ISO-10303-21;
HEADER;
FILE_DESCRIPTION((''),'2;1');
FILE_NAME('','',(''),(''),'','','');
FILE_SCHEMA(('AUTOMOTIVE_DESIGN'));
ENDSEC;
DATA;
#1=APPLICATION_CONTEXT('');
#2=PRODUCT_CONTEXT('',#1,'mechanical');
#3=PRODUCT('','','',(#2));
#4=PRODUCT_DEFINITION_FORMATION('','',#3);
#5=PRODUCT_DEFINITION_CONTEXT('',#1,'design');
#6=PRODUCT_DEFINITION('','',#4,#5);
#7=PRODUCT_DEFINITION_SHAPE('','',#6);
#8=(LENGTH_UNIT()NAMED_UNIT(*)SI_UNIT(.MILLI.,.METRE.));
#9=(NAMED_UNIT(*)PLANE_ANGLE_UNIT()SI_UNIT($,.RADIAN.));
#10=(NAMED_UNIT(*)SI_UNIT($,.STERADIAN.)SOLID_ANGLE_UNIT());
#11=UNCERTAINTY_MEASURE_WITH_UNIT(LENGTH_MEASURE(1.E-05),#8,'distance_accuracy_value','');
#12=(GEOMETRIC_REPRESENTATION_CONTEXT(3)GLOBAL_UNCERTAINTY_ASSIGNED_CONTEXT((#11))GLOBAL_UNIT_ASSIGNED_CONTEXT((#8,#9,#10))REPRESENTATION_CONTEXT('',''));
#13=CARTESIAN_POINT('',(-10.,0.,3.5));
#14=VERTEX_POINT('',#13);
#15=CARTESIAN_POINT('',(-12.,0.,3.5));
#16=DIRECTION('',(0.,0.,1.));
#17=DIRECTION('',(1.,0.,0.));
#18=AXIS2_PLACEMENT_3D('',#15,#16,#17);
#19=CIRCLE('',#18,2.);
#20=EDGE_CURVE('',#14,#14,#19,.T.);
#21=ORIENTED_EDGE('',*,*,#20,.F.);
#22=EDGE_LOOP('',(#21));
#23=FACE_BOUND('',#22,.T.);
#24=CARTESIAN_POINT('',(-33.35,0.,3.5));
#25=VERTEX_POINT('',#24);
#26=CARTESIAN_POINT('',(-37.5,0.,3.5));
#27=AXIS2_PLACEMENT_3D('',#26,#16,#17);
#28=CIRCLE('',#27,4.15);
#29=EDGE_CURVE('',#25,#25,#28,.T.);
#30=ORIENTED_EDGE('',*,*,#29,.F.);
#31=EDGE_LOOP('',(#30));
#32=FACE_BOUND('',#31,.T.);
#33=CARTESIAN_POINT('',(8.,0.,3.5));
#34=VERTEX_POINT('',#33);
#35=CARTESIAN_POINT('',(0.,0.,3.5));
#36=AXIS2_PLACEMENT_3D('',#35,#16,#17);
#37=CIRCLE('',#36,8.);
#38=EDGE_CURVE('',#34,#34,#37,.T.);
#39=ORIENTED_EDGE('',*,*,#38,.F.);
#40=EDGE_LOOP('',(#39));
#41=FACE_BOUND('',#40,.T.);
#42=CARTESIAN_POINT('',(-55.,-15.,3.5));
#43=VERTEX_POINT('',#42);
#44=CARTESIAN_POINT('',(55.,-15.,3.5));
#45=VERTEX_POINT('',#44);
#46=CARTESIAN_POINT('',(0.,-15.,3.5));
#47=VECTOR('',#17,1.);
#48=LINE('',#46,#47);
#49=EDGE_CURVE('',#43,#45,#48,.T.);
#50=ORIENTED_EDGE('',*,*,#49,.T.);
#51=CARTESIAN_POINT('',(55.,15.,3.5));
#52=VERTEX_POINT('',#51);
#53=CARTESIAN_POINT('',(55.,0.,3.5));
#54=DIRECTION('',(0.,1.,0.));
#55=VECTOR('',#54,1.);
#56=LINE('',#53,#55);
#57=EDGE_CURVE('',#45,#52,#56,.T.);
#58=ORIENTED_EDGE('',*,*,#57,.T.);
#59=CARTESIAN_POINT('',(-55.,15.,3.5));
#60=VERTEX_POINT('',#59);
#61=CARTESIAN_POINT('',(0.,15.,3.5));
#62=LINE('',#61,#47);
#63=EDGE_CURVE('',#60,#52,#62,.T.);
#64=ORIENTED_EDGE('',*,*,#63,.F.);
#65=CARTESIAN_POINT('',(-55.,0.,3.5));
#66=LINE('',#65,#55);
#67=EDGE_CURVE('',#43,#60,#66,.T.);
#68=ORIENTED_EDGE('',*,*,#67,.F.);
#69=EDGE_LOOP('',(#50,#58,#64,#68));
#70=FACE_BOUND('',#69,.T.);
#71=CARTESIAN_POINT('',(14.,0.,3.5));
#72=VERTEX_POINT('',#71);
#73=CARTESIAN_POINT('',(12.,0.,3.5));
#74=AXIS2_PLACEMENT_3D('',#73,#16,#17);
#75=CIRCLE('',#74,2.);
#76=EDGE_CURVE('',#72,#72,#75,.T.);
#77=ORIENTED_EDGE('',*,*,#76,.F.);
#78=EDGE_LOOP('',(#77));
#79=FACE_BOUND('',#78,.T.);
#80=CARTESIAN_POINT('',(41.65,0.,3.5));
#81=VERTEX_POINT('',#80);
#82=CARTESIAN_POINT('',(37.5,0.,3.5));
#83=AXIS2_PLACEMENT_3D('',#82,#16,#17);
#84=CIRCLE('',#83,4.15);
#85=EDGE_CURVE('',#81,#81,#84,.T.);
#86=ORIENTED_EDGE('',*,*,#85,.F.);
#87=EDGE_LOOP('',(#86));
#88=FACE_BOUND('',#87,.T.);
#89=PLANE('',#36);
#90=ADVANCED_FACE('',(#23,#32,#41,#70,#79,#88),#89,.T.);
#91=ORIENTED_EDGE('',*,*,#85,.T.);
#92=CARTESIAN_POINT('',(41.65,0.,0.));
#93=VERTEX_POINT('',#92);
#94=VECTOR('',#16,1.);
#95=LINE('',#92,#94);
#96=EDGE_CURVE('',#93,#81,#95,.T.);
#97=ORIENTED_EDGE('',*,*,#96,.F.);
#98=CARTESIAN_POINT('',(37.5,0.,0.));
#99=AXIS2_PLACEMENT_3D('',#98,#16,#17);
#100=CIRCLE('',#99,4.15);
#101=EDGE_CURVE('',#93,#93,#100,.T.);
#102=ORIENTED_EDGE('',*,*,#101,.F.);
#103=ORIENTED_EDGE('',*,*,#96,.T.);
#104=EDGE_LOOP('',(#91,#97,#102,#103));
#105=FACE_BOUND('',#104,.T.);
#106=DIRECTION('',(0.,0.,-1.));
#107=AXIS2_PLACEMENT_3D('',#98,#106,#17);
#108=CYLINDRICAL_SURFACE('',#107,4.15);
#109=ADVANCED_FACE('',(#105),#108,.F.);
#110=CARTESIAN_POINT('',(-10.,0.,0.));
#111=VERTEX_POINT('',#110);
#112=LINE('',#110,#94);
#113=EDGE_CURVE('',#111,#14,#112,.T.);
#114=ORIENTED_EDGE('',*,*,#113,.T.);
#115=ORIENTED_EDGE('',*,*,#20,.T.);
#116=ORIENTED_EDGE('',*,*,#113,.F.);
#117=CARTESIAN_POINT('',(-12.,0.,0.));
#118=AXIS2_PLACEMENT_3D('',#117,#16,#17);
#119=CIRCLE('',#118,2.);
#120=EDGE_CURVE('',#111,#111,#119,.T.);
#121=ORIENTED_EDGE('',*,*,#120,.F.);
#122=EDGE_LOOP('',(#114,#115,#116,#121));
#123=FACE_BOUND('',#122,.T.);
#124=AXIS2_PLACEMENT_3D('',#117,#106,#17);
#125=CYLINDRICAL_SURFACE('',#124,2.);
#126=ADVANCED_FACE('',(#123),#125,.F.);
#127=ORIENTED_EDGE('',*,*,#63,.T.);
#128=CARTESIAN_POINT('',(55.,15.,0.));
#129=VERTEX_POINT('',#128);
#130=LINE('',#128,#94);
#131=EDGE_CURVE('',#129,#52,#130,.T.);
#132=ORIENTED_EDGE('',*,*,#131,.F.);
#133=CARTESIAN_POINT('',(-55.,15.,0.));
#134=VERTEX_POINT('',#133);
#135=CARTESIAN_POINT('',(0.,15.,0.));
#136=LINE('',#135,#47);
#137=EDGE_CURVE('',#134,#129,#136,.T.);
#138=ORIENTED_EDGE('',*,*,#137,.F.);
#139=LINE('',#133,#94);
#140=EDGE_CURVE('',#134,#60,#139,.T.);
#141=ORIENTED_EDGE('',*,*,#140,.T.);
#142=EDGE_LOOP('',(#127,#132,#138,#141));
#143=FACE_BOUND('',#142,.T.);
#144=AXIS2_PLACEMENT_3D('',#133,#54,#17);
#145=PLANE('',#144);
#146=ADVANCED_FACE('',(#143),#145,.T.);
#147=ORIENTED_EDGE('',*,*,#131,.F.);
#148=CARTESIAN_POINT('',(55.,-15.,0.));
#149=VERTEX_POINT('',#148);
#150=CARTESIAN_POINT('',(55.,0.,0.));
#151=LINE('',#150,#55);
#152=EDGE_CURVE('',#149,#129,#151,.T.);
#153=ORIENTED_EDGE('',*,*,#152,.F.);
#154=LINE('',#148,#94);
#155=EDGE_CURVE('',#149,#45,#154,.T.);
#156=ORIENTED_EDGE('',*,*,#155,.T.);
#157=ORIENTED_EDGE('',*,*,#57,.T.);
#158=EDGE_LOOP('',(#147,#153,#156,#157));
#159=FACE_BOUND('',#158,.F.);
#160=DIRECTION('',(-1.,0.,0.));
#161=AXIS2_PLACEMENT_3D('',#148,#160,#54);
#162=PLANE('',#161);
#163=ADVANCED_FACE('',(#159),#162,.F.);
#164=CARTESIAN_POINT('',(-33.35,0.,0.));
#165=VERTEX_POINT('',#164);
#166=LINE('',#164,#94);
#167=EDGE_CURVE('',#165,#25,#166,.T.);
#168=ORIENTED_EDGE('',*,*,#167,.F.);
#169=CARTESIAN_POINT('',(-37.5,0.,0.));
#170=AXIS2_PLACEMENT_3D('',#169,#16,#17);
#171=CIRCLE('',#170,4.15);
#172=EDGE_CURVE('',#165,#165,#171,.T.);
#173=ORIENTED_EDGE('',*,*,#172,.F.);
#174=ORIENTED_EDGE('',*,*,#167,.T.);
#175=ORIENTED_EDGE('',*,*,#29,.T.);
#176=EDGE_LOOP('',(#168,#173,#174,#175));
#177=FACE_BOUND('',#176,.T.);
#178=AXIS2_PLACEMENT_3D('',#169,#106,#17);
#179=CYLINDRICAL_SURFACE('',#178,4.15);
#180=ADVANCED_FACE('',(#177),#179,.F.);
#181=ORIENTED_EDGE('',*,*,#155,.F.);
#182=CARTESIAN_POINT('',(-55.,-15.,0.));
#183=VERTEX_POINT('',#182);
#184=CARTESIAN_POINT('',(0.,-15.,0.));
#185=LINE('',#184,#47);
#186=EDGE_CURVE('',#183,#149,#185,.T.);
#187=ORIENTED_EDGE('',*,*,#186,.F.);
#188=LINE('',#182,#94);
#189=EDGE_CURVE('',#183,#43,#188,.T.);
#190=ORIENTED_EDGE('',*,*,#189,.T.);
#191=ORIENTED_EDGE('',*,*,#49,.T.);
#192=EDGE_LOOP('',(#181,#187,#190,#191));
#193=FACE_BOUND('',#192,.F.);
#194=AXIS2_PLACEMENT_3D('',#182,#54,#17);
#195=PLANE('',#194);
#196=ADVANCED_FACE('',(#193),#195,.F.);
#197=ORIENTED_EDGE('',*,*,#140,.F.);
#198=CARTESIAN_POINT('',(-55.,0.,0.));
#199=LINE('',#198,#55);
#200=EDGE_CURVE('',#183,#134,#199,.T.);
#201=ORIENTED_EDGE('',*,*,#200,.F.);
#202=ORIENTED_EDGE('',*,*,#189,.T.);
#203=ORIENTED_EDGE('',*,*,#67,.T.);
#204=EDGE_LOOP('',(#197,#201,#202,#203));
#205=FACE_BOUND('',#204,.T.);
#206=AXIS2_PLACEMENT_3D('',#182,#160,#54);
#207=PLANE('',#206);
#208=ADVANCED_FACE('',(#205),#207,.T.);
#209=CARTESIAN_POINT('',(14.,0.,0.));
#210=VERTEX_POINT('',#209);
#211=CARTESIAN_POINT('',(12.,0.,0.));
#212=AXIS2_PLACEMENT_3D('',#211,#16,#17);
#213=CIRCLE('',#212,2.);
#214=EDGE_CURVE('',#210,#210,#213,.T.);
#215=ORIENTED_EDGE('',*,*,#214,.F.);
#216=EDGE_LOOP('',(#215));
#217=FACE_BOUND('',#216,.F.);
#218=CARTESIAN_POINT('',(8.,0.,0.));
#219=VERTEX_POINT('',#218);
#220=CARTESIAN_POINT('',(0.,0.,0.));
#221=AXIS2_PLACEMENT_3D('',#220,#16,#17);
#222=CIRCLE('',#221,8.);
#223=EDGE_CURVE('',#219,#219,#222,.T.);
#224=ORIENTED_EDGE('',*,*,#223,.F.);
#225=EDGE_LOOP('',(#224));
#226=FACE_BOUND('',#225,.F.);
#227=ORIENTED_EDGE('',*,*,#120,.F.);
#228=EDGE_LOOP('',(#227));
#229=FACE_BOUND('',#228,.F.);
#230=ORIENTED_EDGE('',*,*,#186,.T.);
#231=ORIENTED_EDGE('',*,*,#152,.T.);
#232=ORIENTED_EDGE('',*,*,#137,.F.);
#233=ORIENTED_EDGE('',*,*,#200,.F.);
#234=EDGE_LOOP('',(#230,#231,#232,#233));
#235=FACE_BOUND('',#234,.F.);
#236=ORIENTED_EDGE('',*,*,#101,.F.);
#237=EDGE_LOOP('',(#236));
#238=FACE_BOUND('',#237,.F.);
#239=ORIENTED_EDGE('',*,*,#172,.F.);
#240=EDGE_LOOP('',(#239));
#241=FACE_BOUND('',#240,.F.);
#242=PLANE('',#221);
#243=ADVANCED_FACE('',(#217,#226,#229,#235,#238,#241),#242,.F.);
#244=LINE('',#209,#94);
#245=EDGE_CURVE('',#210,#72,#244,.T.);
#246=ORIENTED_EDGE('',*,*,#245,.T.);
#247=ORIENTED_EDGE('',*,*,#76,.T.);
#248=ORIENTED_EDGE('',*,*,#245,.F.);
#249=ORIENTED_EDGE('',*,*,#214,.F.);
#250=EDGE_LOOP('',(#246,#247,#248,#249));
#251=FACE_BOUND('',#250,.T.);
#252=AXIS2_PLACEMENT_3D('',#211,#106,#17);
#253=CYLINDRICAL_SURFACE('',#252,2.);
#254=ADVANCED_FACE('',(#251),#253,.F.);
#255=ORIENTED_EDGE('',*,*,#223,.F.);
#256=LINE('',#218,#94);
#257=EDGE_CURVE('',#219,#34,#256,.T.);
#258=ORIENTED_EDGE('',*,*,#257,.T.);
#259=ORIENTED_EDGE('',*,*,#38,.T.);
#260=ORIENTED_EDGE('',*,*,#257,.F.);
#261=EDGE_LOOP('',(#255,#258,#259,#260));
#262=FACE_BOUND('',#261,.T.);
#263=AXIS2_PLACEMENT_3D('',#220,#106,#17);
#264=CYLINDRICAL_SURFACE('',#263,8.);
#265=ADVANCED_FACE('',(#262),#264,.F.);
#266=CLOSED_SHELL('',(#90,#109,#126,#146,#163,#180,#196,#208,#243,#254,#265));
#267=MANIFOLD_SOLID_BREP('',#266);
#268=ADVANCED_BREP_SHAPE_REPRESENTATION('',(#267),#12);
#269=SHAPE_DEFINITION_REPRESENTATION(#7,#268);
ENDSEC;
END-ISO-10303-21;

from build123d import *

# Parameters (mm, degrees)
F0_W     = 110
F0_H     = 30
F0_R     = 4.15
F0_R_2   = 2
F0_R_3   = 8
F1_DEPTH = 3.5


with BuildPart() as f1:
    # F0 (on Top) → F1 (new body)
    with BuildSketch(Plane.XY):
        Rectangle(F0_W, F0_H)
        with Locations((-37.5, 0)):
            Circle(F0_R, mode=Mode.SUBTRACT)
        with Locations((-12, 0)):
            Circle(F0_R_2, mode=Mode.SUBTRACT)
        Circle(F0_R_3, mode=Mode.SUBTRACT)
        with Locations((12, 0)):
            Circle(F0_R_2, mode=Mode.SUBTRACT)
        with Locations((37.5, 0)):
            Circle(F0_R, mode=Mode.SUBTRACT)
    extrude(amount=F1_DEPTH)


solid = f1.part
